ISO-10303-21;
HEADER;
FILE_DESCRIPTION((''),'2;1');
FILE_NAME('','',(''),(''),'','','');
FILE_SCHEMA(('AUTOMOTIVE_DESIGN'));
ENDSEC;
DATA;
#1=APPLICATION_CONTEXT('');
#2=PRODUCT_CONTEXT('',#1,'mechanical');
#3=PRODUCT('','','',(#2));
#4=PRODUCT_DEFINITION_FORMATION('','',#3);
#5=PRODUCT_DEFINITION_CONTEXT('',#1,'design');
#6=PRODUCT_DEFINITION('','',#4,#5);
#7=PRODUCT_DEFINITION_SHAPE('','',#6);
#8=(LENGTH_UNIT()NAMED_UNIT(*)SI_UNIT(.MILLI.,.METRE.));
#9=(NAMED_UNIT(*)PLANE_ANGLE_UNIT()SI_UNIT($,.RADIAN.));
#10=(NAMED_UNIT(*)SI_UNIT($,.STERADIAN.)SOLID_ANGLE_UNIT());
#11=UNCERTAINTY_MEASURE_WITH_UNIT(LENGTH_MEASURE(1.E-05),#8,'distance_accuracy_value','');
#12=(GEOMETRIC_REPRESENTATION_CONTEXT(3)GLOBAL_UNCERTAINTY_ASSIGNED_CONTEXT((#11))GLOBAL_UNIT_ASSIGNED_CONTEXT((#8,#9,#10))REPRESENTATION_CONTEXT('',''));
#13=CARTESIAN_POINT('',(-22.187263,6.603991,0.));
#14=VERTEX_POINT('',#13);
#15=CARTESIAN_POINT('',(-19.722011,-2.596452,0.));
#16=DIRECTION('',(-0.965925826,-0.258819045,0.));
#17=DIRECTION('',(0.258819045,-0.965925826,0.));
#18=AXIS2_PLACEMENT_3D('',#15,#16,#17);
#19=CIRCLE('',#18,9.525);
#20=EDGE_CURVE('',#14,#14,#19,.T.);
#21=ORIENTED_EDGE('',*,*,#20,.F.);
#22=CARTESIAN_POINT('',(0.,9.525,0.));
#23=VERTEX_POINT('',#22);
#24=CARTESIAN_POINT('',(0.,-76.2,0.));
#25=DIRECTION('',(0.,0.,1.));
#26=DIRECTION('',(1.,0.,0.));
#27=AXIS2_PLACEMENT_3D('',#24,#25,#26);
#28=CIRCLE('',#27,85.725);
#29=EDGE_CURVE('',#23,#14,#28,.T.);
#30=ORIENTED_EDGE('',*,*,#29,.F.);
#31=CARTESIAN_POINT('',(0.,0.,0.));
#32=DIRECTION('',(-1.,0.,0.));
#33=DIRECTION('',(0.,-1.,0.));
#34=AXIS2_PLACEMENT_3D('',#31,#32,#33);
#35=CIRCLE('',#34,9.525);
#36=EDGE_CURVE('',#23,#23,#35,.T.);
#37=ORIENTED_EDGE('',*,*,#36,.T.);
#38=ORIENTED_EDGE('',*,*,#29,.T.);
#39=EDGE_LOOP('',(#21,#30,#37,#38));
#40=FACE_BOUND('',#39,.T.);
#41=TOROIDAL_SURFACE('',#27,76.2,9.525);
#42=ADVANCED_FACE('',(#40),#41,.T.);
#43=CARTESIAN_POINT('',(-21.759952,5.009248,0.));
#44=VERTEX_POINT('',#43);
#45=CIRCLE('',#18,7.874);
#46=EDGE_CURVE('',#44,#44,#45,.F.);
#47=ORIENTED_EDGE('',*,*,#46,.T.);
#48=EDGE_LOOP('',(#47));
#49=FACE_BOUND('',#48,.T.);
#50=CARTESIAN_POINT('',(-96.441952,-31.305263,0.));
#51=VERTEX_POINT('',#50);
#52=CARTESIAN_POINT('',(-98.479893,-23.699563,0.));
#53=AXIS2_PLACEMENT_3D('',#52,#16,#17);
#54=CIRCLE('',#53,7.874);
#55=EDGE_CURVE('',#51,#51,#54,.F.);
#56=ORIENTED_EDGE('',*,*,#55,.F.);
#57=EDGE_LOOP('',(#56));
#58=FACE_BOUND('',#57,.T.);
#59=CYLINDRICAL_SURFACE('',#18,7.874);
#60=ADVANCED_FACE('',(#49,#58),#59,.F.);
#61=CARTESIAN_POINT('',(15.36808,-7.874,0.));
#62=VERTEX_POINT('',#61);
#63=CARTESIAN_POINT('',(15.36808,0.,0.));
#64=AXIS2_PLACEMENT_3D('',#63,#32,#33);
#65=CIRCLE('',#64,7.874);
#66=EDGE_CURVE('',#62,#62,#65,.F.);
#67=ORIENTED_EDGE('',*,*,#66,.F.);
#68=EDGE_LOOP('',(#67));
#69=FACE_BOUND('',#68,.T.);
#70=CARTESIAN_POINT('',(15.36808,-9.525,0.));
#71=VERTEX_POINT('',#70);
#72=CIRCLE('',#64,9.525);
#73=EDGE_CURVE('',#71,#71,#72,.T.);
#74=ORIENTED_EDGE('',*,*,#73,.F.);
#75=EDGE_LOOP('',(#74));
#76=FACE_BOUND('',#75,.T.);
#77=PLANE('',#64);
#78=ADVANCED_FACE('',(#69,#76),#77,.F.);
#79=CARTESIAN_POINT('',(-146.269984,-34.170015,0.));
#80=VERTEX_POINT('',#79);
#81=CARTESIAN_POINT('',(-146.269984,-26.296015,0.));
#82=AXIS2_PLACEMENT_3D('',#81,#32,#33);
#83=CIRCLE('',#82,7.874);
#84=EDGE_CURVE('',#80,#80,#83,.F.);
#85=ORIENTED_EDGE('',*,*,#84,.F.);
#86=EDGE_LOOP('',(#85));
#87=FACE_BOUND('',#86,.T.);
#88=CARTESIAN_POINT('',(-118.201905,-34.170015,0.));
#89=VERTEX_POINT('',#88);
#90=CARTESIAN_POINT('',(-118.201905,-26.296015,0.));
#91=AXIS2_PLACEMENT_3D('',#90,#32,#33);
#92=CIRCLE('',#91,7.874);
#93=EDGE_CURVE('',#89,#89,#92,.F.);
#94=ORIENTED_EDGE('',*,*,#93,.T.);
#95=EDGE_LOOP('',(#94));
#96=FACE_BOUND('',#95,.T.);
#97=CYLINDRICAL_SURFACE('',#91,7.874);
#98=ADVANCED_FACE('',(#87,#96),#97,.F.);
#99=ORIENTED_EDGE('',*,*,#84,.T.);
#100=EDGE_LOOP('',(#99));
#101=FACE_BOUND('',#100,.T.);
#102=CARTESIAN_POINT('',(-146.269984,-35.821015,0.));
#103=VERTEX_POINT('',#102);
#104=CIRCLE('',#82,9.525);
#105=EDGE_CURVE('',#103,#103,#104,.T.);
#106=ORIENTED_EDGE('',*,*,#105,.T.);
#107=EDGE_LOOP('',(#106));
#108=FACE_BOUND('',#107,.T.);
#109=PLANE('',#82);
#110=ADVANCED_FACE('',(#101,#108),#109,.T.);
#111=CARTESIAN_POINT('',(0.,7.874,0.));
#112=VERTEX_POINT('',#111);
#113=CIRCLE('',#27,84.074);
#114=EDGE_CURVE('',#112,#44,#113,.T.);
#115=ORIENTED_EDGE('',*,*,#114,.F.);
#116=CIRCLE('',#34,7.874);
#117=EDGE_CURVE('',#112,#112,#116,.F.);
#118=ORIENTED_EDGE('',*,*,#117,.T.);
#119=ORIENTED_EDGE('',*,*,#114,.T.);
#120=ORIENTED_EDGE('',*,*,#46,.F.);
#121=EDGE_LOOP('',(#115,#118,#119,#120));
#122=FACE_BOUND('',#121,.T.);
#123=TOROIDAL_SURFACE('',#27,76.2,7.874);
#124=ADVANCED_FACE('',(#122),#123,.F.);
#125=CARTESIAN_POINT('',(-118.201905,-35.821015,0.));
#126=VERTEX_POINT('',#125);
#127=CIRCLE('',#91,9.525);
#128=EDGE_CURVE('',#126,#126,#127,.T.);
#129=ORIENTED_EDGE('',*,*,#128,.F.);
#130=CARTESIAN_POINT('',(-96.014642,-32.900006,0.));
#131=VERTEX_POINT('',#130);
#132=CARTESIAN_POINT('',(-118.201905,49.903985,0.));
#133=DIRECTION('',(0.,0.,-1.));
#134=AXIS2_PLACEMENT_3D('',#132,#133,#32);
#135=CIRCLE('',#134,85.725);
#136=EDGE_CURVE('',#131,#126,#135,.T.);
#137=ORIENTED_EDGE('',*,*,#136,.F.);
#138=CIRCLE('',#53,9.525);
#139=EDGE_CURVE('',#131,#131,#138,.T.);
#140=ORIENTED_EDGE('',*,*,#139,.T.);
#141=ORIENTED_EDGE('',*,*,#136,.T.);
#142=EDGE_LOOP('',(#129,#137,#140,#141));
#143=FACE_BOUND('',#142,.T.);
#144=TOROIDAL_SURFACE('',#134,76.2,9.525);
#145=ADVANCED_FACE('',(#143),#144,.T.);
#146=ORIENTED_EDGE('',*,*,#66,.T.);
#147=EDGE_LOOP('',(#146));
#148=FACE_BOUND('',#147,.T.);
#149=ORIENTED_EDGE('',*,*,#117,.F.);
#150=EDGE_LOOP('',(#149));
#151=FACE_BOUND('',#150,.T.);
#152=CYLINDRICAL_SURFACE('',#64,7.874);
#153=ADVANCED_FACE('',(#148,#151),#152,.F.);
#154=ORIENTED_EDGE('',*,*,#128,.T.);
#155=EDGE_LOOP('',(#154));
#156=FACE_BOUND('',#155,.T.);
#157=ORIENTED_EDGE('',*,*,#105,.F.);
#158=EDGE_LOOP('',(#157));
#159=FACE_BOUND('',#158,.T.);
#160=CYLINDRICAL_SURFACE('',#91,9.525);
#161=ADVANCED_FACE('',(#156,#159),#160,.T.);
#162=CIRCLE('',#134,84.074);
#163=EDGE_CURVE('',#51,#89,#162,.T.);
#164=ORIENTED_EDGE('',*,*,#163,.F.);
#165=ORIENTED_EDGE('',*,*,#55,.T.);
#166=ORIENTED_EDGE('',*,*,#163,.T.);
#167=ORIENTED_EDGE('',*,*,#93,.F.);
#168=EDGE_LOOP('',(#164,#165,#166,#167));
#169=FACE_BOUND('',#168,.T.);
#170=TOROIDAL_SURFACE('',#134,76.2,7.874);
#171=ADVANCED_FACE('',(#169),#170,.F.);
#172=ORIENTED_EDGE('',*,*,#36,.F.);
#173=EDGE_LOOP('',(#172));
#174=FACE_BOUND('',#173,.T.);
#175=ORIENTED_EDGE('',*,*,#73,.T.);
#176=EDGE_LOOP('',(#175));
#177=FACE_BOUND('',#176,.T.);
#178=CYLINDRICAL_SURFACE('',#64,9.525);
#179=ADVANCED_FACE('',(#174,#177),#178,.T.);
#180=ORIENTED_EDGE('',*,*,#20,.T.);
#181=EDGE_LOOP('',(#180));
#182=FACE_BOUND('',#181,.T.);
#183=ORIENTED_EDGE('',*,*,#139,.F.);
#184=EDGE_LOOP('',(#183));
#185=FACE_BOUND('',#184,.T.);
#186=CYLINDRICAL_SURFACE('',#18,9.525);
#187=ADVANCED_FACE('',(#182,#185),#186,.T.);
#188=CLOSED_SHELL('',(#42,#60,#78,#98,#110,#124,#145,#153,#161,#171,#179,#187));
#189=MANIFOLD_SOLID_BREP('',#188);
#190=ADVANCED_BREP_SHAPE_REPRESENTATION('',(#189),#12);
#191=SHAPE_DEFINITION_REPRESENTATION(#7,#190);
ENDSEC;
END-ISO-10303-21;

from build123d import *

# Parameters (mm, degrees)
SKETCH2_R   = 9.525
SKETCH2_R_2 = 7.874


with BuildPart() as part:
    # Sweep1: sweep along a path in Sketch1
    with BuildLine(Plane.XY) as sweep1_path:
        Line((15.368079684, 0), (0, 0))
        ThreePointArc((0, 0), (-9.946095847, -0.651901563), (-19.722011237, -2.596452037))
        Line((-19.722011237, -2.596452037), (-98.479893346, -23.699562946))
        ThreePointArc((-98.479893346, -23.699562946), (-108.255808736, -25.644113419), (-118.201904583, -26.296014982))
        Line((-118.201904583, -26.296014982), (-146.269984267, -26.296014982))
    # Sketch2 → Sweep1 (sweep)
    with BuildSketch(Plane.ZY.offset(-15.368079684)):
        Circle(SKETCH2_R)
        Circle(SKETCH2_R_2, mode=Mode.SUBTRACT)
    sweep(path=sweep1_path.line)


solid = part.part
